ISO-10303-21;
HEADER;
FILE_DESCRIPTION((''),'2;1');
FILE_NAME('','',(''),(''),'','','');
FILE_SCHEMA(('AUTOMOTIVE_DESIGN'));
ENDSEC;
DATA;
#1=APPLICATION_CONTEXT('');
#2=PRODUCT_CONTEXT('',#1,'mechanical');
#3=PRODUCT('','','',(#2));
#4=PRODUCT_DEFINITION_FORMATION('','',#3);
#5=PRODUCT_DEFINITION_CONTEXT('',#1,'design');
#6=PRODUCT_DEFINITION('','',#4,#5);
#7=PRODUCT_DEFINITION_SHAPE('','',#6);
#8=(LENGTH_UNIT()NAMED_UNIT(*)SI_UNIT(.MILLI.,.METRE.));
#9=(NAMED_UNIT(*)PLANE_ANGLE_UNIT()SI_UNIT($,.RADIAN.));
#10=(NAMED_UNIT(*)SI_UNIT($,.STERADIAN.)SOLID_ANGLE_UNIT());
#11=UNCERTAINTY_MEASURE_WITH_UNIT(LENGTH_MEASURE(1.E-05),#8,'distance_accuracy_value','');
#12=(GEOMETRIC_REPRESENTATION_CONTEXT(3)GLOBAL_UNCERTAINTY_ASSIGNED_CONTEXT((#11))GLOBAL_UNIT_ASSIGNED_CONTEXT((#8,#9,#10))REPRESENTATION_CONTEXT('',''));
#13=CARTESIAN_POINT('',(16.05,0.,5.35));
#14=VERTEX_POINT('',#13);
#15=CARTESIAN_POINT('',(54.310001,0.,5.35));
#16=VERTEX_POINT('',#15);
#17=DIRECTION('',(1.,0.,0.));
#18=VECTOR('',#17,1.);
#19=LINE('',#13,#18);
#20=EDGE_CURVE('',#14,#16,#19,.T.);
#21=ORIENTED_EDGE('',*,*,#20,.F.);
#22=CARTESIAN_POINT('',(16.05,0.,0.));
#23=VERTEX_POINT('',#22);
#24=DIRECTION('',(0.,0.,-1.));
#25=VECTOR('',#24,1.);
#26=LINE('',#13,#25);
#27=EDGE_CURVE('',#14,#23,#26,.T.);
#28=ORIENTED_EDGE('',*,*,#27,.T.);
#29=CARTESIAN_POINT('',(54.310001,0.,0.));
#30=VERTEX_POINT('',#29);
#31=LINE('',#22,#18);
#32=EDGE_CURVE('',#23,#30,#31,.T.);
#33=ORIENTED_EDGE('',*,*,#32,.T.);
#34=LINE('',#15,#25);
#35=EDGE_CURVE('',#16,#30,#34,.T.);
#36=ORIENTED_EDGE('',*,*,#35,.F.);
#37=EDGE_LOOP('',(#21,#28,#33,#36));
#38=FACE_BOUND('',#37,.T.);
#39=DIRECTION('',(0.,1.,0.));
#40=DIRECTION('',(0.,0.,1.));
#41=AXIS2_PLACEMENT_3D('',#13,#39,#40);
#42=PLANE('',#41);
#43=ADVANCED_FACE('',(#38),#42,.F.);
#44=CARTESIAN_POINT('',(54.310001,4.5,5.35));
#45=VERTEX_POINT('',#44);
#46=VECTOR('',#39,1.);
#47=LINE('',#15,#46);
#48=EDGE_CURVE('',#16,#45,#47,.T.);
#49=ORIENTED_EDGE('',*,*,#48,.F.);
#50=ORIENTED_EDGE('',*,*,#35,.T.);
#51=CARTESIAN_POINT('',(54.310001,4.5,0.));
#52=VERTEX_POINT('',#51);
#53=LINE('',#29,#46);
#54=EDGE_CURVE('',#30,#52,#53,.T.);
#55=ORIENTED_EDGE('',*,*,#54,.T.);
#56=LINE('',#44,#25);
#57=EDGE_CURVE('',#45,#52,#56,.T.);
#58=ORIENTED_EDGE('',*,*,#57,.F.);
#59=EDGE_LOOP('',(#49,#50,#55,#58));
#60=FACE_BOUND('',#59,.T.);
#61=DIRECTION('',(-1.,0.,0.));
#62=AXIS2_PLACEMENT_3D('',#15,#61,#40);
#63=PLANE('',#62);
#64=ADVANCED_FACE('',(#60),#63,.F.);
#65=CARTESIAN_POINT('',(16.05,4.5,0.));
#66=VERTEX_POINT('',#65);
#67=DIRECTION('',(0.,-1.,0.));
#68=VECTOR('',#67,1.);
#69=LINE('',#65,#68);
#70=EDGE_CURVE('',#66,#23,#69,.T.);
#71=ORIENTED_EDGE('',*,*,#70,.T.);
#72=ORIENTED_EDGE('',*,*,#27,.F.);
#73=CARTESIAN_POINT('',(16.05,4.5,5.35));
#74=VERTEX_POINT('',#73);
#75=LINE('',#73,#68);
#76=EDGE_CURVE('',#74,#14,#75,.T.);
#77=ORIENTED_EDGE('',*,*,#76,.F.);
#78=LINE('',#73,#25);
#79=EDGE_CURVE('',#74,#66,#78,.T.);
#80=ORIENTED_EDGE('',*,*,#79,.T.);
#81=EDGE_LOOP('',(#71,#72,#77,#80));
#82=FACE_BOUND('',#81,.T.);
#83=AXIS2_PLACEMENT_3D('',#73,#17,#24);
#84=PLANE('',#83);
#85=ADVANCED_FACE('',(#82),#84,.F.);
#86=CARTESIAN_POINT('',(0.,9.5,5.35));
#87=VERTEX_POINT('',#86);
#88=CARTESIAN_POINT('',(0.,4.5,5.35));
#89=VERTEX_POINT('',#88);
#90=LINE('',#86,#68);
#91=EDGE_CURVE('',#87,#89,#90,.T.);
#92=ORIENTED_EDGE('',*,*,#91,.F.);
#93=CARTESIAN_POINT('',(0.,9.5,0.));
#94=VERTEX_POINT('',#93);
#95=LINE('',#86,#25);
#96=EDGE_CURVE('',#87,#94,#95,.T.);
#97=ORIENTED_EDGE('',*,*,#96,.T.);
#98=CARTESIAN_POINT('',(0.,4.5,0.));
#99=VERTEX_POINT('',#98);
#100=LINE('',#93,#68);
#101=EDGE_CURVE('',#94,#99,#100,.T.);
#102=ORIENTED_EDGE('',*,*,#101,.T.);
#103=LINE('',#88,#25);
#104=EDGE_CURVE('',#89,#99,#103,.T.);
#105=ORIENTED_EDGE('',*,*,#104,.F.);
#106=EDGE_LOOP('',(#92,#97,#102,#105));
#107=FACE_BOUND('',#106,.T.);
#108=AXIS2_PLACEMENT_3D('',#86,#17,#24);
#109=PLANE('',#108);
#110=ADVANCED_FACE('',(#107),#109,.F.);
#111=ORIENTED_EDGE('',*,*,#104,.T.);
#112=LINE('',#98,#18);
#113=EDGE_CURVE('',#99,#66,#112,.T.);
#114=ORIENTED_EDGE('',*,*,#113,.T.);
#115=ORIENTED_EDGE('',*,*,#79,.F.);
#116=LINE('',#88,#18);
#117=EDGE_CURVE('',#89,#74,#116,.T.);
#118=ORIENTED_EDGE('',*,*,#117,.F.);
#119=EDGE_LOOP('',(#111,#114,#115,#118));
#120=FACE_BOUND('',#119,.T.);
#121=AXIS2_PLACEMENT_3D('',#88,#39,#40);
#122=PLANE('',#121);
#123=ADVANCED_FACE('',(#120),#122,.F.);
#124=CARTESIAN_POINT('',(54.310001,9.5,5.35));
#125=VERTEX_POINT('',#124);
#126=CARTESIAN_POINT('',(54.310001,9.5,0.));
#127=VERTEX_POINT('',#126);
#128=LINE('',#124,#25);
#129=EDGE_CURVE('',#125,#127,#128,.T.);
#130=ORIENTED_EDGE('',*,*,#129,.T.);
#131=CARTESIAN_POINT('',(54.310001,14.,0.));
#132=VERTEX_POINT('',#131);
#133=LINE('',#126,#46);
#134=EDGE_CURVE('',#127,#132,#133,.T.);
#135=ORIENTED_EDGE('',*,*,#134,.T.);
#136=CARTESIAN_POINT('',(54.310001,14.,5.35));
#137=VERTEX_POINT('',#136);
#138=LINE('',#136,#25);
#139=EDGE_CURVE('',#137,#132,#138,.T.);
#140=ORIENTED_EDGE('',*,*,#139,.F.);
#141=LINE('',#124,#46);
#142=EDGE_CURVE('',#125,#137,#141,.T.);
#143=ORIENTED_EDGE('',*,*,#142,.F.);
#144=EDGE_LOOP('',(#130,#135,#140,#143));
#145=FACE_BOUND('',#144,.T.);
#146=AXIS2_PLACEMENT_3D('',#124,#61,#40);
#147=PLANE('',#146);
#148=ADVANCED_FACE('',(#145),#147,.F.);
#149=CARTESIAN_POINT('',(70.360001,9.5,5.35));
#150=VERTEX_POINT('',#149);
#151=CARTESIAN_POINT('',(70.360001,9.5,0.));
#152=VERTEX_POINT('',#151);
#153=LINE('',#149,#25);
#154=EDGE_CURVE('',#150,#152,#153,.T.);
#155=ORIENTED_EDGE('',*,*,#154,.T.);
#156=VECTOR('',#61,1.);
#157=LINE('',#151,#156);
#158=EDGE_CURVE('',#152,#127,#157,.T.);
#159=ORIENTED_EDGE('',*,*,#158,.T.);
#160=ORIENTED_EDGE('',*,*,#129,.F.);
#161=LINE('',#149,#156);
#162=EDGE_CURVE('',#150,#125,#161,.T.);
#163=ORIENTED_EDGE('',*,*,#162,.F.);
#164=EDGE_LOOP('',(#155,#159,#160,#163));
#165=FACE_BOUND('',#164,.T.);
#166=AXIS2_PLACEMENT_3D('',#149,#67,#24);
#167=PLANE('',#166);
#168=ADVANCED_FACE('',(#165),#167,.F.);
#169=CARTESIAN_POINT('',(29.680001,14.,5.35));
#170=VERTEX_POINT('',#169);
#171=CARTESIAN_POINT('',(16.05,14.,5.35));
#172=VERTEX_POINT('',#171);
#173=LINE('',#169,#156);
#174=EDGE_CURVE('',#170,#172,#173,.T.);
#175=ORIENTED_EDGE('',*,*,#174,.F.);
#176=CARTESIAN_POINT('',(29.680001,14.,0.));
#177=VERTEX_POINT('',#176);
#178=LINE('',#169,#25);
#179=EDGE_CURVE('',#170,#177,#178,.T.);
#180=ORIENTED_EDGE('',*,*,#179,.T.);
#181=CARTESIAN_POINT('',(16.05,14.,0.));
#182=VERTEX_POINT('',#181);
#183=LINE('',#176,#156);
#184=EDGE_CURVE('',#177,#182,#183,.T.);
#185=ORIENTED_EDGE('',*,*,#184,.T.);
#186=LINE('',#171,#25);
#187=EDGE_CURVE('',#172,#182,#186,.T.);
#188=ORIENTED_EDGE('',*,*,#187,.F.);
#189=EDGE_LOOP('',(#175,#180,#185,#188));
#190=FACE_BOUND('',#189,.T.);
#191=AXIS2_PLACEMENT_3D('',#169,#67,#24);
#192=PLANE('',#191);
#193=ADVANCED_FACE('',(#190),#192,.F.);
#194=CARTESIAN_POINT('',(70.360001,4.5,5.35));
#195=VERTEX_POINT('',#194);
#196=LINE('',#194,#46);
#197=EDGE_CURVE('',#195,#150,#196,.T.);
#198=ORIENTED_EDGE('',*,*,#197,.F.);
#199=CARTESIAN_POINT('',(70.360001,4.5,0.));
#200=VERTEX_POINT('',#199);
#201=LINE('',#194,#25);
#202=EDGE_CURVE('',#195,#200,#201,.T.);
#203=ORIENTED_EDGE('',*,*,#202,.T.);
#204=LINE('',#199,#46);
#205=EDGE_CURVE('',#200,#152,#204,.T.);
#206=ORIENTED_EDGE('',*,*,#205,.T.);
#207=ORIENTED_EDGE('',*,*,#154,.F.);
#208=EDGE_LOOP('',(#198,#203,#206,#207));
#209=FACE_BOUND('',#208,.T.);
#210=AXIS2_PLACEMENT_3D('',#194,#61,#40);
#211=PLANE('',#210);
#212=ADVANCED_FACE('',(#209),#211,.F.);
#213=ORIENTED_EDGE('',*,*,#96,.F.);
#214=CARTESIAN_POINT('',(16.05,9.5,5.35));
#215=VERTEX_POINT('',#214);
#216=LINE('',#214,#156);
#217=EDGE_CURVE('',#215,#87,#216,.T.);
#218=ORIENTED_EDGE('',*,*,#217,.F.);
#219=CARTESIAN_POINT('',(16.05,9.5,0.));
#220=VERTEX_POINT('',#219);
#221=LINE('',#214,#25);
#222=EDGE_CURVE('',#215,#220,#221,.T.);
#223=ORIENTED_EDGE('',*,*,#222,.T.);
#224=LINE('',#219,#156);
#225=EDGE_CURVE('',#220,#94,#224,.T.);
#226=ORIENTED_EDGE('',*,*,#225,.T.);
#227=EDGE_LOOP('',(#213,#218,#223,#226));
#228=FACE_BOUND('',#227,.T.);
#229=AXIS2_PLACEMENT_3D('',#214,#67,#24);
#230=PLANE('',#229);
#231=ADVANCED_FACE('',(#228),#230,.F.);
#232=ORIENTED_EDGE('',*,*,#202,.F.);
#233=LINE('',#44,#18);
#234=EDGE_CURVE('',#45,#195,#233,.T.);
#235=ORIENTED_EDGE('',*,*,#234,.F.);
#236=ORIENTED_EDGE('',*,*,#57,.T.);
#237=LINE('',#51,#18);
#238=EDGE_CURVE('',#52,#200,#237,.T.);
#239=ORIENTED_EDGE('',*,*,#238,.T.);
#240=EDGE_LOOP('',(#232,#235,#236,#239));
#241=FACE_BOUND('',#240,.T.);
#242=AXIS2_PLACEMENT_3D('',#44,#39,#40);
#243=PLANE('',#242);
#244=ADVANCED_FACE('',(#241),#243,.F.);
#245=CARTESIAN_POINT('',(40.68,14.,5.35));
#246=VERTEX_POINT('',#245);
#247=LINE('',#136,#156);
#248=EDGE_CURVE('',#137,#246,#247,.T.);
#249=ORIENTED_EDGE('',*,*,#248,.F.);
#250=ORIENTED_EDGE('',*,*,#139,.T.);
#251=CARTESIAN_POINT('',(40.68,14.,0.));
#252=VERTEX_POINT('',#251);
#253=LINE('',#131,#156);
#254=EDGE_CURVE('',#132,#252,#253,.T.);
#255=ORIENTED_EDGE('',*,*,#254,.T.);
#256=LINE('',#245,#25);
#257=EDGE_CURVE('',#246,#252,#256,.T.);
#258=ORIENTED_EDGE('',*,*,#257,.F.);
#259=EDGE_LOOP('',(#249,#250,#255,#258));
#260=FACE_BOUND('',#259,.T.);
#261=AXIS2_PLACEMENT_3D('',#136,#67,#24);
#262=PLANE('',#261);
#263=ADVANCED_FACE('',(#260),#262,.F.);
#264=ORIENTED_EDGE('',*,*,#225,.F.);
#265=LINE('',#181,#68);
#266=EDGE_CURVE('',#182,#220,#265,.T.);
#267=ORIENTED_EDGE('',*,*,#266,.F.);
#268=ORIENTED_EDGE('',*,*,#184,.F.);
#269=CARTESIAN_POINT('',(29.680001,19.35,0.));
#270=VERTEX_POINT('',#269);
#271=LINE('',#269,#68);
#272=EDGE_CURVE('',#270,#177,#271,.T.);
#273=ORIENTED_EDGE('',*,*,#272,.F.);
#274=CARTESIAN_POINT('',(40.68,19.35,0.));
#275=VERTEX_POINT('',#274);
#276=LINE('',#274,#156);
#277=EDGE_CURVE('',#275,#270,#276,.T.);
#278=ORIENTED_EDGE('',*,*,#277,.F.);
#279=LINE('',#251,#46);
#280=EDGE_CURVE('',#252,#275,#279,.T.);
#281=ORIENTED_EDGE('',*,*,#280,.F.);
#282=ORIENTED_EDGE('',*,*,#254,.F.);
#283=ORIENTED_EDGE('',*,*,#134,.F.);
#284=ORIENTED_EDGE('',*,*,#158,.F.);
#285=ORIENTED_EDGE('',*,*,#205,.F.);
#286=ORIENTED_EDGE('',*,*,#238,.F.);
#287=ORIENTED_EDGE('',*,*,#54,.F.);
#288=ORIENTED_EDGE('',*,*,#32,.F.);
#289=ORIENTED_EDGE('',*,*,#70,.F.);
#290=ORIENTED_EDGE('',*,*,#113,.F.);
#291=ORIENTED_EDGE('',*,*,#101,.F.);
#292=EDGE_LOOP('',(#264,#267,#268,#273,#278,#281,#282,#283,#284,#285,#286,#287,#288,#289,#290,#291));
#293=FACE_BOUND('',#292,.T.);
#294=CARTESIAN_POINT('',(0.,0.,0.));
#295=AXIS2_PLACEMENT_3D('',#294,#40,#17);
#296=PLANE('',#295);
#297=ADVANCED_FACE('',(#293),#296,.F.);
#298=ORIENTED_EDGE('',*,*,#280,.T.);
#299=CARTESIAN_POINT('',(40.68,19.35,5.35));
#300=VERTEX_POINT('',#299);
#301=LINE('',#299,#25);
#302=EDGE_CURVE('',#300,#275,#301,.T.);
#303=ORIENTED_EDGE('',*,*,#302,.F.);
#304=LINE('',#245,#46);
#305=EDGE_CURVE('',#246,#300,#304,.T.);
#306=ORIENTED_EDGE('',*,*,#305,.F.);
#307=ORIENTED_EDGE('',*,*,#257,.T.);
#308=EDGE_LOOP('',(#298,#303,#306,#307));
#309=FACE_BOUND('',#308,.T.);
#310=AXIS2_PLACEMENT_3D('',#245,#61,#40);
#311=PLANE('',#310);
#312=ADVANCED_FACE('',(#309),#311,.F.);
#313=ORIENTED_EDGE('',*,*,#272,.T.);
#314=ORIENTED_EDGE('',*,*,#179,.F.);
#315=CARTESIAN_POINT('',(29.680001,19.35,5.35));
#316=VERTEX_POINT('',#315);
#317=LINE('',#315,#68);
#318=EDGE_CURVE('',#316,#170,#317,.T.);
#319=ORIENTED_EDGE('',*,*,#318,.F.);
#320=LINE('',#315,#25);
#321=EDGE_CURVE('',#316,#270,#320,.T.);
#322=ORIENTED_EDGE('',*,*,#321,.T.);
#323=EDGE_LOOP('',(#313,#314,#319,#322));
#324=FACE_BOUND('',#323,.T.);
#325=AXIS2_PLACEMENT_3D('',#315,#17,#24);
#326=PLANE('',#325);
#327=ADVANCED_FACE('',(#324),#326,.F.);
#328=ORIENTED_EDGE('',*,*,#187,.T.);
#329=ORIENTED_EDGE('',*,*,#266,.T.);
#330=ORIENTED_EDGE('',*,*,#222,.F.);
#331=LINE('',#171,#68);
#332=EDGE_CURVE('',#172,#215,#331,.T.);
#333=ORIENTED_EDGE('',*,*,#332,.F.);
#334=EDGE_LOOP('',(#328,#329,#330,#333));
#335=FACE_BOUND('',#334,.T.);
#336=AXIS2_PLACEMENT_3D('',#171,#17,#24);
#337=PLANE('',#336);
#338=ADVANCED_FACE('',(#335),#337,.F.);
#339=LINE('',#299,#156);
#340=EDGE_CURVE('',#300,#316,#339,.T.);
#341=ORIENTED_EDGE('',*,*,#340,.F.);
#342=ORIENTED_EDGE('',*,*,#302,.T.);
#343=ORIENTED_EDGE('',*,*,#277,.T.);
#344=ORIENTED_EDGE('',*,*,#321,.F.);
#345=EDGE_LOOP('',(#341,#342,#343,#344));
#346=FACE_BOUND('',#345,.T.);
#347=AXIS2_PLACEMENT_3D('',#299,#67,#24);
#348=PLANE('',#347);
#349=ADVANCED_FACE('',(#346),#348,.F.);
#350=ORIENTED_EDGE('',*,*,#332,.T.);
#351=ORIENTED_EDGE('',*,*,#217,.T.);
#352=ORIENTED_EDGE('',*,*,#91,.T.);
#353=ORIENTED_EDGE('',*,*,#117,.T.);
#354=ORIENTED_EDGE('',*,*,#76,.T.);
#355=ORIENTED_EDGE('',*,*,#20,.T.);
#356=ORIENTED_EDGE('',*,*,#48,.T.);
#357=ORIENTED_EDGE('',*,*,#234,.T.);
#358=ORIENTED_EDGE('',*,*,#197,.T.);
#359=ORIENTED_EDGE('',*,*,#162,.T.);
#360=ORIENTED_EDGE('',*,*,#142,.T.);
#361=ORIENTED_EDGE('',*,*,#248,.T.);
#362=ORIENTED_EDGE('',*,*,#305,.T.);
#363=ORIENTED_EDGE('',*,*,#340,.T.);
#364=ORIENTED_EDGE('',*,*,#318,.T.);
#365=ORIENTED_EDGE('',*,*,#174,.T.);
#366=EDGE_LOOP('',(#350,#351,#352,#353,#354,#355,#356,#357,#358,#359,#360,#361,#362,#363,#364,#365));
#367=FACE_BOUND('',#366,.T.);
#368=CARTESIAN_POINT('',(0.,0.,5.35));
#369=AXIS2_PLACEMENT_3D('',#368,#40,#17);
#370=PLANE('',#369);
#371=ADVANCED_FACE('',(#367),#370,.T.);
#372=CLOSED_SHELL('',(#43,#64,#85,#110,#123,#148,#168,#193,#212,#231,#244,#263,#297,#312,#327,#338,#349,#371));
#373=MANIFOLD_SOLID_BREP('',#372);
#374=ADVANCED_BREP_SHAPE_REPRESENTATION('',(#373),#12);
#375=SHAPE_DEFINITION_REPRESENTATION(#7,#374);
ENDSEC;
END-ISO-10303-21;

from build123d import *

# Parameters (mm, degrees)
BOSS_EXTRUDE1_DEPTH = 5.35


with BuildPart() as part:
    # Model → Boss-Extrude1 (new body)
    with BuildSketch(Plane.XY):
        Polygon((29.680000618, 19.349999726), (29.680000618, 14.000000432), (16.049999744, 14.000000432), (16.049999744, 9.499999695), (0, 9.499999695), (0, 4.499999806), (16.049999744, 4.499999806), (16.049999744, 0), (54.310000502, 0), (54.310000502, 4.499999806), (70.360001177, 4.499999806), (70.360001177, 9.499999695), (54.310000501, 9.499999695), (54.310000501, 14.000000432), (40.680000442, 14.000000432), (40.680000442, 19.349999726), align=None)
    extrude(amount=BOSS_EXTRUDE1_DEPTH)


solid = part.part
